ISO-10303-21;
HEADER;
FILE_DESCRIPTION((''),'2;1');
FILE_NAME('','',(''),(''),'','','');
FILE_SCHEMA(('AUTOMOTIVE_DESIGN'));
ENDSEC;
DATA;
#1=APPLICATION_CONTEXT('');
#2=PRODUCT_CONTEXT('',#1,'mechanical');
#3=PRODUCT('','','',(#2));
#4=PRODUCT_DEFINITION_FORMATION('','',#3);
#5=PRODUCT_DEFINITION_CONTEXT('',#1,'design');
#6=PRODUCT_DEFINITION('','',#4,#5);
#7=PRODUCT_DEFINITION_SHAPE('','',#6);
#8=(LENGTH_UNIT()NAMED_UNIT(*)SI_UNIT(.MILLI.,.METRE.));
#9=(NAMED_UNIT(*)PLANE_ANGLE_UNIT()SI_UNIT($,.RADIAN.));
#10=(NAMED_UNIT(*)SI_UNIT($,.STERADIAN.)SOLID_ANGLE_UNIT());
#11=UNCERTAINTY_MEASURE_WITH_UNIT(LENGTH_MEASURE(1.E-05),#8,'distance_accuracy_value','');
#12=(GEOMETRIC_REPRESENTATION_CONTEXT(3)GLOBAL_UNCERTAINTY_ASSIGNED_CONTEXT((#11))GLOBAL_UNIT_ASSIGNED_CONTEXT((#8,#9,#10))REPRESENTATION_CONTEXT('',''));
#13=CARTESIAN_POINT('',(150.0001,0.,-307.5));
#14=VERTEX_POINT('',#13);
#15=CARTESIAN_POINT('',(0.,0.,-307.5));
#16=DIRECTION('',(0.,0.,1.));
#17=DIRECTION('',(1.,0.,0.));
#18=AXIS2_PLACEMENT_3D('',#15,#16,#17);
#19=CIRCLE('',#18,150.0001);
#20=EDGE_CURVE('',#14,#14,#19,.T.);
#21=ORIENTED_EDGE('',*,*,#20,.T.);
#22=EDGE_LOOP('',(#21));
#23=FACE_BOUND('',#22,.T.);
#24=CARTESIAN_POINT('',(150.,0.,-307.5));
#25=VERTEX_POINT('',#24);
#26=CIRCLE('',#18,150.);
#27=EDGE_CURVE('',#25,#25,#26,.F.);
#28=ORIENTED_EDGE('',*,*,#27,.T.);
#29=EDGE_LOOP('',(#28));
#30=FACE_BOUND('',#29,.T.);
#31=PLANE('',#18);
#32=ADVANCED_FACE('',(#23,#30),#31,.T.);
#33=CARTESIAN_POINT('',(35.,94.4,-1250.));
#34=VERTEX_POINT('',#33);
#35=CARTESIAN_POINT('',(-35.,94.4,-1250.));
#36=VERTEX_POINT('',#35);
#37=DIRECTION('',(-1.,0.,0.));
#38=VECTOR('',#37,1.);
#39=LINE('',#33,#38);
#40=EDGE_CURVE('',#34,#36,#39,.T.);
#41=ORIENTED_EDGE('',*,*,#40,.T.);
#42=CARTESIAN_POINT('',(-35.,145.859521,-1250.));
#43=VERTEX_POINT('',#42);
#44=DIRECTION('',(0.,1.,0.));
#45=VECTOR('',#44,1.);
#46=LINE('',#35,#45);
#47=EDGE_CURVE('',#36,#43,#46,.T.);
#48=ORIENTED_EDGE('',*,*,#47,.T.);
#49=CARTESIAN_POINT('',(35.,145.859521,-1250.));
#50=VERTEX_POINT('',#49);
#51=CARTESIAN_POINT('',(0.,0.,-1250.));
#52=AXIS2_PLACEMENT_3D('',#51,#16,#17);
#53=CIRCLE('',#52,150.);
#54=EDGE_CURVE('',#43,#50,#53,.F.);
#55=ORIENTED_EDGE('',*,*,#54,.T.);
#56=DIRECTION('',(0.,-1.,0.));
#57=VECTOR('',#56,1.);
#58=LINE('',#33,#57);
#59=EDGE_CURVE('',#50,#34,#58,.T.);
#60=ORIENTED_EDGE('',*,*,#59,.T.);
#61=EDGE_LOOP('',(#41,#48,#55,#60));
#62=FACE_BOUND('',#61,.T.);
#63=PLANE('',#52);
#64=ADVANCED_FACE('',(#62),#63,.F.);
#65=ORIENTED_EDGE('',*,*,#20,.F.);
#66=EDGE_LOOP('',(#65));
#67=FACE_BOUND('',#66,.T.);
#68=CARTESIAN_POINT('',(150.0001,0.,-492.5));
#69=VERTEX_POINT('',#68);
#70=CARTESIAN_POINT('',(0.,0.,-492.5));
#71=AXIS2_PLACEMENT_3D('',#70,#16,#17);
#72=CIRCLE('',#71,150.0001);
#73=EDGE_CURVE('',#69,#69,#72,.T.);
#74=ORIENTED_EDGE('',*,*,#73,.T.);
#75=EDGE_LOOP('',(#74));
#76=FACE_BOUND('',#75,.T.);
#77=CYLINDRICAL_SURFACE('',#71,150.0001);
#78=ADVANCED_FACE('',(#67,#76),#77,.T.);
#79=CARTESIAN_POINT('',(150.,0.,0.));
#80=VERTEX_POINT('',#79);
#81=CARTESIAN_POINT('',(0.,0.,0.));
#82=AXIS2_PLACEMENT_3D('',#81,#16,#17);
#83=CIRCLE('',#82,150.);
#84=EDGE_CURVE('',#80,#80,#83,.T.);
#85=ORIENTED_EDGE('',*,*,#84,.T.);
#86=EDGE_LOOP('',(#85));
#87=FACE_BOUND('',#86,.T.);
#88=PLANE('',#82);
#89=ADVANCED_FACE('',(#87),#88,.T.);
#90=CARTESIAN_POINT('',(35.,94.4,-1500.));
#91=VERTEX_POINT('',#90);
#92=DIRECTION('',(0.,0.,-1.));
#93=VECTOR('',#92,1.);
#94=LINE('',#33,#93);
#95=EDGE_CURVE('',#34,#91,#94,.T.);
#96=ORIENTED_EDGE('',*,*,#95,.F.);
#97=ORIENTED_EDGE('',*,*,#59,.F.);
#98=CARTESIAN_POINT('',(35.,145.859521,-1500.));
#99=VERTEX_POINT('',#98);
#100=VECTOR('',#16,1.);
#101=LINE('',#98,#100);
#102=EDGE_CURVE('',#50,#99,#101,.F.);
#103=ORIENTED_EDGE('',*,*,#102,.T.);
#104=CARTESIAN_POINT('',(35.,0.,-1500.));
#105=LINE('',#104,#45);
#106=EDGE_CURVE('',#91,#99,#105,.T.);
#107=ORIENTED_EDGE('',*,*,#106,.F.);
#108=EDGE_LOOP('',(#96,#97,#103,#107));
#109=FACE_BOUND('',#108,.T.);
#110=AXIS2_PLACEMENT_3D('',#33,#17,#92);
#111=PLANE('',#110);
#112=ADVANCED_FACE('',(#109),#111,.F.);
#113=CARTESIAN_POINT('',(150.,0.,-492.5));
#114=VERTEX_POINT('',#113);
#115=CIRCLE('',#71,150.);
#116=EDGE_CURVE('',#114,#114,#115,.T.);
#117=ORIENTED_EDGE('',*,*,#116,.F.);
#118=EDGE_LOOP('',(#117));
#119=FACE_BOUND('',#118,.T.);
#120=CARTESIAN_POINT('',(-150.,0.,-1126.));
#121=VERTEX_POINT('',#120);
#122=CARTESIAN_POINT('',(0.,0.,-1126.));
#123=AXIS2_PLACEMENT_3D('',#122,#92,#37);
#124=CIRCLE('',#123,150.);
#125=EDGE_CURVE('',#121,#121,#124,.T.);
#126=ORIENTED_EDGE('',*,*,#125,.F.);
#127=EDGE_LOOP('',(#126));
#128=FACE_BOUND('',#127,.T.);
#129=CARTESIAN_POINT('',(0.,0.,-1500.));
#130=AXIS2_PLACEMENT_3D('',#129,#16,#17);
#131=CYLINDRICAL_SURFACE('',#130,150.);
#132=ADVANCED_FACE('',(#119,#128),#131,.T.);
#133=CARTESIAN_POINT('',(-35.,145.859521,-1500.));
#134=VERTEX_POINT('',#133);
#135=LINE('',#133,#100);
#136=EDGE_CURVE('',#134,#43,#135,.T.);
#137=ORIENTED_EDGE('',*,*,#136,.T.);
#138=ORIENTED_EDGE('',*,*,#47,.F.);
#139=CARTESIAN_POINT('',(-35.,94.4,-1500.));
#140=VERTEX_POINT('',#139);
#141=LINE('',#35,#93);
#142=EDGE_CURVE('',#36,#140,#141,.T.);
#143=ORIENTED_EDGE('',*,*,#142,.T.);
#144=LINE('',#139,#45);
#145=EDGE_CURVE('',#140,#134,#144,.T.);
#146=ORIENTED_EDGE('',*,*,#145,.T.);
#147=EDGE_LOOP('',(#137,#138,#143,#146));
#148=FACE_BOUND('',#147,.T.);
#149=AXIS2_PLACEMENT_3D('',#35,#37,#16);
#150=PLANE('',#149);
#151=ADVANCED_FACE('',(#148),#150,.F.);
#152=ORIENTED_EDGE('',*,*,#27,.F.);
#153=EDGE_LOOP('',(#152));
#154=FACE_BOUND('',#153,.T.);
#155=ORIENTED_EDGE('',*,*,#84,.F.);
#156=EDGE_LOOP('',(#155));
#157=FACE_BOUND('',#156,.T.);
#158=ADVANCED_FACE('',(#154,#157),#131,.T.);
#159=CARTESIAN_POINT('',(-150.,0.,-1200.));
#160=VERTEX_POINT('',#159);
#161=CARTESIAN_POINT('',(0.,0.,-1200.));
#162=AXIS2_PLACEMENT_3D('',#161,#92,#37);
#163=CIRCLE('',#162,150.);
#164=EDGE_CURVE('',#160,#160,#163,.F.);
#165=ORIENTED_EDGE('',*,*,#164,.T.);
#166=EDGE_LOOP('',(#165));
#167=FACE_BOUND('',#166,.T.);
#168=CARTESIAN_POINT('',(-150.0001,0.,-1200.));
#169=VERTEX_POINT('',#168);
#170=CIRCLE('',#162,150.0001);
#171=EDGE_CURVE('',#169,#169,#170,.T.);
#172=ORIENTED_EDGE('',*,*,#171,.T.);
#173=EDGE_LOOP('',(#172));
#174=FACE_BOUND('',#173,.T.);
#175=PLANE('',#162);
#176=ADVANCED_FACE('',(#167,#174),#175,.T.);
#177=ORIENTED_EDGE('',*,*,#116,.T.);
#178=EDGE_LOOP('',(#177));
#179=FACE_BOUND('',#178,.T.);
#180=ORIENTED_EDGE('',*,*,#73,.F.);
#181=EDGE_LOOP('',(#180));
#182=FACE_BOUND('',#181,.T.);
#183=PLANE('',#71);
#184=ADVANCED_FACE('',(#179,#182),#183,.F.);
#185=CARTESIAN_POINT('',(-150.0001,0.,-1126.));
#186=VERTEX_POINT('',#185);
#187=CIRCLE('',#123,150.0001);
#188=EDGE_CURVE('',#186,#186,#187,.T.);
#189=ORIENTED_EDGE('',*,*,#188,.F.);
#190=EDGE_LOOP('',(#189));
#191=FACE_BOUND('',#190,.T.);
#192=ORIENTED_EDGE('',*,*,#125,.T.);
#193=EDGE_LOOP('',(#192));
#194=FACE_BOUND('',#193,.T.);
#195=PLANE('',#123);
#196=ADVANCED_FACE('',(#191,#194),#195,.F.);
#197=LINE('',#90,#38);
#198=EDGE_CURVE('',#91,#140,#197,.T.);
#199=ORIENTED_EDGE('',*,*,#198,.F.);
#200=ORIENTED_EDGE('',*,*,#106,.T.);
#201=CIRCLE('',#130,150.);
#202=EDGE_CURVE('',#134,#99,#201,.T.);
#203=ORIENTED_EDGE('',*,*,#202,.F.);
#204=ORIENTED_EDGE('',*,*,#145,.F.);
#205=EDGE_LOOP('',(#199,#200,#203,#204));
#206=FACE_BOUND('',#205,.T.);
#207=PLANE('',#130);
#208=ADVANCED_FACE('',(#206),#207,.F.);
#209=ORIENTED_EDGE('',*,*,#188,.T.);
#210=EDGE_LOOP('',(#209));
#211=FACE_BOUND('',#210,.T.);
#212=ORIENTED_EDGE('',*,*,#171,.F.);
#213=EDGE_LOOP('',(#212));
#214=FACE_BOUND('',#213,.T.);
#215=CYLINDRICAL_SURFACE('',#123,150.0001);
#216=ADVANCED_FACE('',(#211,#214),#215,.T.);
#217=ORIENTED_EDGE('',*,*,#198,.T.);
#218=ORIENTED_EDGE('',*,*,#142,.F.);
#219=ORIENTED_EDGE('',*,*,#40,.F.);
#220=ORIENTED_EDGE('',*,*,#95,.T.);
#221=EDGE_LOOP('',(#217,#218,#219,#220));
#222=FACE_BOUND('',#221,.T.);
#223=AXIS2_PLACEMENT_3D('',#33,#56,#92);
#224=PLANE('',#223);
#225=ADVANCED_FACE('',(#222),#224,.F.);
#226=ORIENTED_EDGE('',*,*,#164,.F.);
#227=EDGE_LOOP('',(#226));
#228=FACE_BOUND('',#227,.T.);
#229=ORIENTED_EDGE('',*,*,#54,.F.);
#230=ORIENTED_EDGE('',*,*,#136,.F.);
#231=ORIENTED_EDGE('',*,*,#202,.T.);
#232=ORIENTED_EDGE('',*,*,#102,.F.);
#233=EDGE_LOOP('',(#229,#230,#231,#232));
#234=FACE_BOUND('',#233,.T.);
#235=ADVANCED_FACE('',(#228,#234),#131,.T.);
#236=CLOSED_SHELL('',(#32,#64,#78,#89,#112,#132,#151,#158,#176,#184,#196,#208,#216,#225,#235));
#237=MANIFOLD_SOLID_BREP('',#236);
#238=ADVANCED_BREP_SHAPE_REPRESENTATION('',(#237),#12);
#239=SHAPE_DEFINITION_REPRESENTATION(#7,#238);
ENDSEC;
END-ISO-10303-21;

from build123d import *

# Parameters (mm, degrees)
SKETCH1_R           = 150
BOSS_EXTRUDE1_DEPTH = 1500
SKETCH3_W           = 70
SKETCH3_H           = 70
CUT_EXTRUDE2_DEPTH  = 250
SKETCH7_R           = 150
SKETCH7_R_2         = 149.9999
EXTRUDE_THIN1_DEPTH = 92.5
EXTRUDE_THIN2_START = -74
SKETCH8_R           = 150
SKETCH8_R_2         = 149.9999
EXTRUDE_THIN2_DEPTH = 74


with BuildPart() as part:
    # Sketch1 → Boss-Extrude1 (new body)
    with BuildSketch(Plane.XY):
        Circle(SKETCH1_R)
    extrude(amount=-BOSS_EXTRUDE1_DEPTH)

    # Sketch3 → Cut-Extrude2 (cut)
    with BuildSketch(Plane(origin=(0, 0, -1500), x_dir=(-1, 0, 0), z_dir=(0, 0, -1))):
        with Locations((0, 129.4)):
            Rectangle(SKETCH3_W, SKETCH3_H)
    extrude(amount=-CUT_EXTRUDE2_DEPTH, mode=Mode.SUBTRACT)

    # Sketch7 → Extrude-Thin1 (add, symmetric)
    with BuildSketch(Plane.XY.offset(-400)):
        Circle(SKETCH7_R)
        Circle(SKETCH7_R_2, mode=Mode.SUBTRACT)
    extrude(amount=EXTRUDE_THIN1_DEPTH, both=True)

    # Sketch8 → Extrude-Thin2 (add)
    with BuildSketch(Plane(origin=(0, 0, -1200), x_dir=(-1, 0, 0), z_dir=(0, 0, -1)).offset(EXTRUDE_THIN2_START)):
        Circle(SKETCH8_R)
        Circle(SKETCH8_R_2, mode=Mode.SUBTRACT)
    extrude(amount=EXTRUDE_THIN2_DEPTH)


solid = part.part
